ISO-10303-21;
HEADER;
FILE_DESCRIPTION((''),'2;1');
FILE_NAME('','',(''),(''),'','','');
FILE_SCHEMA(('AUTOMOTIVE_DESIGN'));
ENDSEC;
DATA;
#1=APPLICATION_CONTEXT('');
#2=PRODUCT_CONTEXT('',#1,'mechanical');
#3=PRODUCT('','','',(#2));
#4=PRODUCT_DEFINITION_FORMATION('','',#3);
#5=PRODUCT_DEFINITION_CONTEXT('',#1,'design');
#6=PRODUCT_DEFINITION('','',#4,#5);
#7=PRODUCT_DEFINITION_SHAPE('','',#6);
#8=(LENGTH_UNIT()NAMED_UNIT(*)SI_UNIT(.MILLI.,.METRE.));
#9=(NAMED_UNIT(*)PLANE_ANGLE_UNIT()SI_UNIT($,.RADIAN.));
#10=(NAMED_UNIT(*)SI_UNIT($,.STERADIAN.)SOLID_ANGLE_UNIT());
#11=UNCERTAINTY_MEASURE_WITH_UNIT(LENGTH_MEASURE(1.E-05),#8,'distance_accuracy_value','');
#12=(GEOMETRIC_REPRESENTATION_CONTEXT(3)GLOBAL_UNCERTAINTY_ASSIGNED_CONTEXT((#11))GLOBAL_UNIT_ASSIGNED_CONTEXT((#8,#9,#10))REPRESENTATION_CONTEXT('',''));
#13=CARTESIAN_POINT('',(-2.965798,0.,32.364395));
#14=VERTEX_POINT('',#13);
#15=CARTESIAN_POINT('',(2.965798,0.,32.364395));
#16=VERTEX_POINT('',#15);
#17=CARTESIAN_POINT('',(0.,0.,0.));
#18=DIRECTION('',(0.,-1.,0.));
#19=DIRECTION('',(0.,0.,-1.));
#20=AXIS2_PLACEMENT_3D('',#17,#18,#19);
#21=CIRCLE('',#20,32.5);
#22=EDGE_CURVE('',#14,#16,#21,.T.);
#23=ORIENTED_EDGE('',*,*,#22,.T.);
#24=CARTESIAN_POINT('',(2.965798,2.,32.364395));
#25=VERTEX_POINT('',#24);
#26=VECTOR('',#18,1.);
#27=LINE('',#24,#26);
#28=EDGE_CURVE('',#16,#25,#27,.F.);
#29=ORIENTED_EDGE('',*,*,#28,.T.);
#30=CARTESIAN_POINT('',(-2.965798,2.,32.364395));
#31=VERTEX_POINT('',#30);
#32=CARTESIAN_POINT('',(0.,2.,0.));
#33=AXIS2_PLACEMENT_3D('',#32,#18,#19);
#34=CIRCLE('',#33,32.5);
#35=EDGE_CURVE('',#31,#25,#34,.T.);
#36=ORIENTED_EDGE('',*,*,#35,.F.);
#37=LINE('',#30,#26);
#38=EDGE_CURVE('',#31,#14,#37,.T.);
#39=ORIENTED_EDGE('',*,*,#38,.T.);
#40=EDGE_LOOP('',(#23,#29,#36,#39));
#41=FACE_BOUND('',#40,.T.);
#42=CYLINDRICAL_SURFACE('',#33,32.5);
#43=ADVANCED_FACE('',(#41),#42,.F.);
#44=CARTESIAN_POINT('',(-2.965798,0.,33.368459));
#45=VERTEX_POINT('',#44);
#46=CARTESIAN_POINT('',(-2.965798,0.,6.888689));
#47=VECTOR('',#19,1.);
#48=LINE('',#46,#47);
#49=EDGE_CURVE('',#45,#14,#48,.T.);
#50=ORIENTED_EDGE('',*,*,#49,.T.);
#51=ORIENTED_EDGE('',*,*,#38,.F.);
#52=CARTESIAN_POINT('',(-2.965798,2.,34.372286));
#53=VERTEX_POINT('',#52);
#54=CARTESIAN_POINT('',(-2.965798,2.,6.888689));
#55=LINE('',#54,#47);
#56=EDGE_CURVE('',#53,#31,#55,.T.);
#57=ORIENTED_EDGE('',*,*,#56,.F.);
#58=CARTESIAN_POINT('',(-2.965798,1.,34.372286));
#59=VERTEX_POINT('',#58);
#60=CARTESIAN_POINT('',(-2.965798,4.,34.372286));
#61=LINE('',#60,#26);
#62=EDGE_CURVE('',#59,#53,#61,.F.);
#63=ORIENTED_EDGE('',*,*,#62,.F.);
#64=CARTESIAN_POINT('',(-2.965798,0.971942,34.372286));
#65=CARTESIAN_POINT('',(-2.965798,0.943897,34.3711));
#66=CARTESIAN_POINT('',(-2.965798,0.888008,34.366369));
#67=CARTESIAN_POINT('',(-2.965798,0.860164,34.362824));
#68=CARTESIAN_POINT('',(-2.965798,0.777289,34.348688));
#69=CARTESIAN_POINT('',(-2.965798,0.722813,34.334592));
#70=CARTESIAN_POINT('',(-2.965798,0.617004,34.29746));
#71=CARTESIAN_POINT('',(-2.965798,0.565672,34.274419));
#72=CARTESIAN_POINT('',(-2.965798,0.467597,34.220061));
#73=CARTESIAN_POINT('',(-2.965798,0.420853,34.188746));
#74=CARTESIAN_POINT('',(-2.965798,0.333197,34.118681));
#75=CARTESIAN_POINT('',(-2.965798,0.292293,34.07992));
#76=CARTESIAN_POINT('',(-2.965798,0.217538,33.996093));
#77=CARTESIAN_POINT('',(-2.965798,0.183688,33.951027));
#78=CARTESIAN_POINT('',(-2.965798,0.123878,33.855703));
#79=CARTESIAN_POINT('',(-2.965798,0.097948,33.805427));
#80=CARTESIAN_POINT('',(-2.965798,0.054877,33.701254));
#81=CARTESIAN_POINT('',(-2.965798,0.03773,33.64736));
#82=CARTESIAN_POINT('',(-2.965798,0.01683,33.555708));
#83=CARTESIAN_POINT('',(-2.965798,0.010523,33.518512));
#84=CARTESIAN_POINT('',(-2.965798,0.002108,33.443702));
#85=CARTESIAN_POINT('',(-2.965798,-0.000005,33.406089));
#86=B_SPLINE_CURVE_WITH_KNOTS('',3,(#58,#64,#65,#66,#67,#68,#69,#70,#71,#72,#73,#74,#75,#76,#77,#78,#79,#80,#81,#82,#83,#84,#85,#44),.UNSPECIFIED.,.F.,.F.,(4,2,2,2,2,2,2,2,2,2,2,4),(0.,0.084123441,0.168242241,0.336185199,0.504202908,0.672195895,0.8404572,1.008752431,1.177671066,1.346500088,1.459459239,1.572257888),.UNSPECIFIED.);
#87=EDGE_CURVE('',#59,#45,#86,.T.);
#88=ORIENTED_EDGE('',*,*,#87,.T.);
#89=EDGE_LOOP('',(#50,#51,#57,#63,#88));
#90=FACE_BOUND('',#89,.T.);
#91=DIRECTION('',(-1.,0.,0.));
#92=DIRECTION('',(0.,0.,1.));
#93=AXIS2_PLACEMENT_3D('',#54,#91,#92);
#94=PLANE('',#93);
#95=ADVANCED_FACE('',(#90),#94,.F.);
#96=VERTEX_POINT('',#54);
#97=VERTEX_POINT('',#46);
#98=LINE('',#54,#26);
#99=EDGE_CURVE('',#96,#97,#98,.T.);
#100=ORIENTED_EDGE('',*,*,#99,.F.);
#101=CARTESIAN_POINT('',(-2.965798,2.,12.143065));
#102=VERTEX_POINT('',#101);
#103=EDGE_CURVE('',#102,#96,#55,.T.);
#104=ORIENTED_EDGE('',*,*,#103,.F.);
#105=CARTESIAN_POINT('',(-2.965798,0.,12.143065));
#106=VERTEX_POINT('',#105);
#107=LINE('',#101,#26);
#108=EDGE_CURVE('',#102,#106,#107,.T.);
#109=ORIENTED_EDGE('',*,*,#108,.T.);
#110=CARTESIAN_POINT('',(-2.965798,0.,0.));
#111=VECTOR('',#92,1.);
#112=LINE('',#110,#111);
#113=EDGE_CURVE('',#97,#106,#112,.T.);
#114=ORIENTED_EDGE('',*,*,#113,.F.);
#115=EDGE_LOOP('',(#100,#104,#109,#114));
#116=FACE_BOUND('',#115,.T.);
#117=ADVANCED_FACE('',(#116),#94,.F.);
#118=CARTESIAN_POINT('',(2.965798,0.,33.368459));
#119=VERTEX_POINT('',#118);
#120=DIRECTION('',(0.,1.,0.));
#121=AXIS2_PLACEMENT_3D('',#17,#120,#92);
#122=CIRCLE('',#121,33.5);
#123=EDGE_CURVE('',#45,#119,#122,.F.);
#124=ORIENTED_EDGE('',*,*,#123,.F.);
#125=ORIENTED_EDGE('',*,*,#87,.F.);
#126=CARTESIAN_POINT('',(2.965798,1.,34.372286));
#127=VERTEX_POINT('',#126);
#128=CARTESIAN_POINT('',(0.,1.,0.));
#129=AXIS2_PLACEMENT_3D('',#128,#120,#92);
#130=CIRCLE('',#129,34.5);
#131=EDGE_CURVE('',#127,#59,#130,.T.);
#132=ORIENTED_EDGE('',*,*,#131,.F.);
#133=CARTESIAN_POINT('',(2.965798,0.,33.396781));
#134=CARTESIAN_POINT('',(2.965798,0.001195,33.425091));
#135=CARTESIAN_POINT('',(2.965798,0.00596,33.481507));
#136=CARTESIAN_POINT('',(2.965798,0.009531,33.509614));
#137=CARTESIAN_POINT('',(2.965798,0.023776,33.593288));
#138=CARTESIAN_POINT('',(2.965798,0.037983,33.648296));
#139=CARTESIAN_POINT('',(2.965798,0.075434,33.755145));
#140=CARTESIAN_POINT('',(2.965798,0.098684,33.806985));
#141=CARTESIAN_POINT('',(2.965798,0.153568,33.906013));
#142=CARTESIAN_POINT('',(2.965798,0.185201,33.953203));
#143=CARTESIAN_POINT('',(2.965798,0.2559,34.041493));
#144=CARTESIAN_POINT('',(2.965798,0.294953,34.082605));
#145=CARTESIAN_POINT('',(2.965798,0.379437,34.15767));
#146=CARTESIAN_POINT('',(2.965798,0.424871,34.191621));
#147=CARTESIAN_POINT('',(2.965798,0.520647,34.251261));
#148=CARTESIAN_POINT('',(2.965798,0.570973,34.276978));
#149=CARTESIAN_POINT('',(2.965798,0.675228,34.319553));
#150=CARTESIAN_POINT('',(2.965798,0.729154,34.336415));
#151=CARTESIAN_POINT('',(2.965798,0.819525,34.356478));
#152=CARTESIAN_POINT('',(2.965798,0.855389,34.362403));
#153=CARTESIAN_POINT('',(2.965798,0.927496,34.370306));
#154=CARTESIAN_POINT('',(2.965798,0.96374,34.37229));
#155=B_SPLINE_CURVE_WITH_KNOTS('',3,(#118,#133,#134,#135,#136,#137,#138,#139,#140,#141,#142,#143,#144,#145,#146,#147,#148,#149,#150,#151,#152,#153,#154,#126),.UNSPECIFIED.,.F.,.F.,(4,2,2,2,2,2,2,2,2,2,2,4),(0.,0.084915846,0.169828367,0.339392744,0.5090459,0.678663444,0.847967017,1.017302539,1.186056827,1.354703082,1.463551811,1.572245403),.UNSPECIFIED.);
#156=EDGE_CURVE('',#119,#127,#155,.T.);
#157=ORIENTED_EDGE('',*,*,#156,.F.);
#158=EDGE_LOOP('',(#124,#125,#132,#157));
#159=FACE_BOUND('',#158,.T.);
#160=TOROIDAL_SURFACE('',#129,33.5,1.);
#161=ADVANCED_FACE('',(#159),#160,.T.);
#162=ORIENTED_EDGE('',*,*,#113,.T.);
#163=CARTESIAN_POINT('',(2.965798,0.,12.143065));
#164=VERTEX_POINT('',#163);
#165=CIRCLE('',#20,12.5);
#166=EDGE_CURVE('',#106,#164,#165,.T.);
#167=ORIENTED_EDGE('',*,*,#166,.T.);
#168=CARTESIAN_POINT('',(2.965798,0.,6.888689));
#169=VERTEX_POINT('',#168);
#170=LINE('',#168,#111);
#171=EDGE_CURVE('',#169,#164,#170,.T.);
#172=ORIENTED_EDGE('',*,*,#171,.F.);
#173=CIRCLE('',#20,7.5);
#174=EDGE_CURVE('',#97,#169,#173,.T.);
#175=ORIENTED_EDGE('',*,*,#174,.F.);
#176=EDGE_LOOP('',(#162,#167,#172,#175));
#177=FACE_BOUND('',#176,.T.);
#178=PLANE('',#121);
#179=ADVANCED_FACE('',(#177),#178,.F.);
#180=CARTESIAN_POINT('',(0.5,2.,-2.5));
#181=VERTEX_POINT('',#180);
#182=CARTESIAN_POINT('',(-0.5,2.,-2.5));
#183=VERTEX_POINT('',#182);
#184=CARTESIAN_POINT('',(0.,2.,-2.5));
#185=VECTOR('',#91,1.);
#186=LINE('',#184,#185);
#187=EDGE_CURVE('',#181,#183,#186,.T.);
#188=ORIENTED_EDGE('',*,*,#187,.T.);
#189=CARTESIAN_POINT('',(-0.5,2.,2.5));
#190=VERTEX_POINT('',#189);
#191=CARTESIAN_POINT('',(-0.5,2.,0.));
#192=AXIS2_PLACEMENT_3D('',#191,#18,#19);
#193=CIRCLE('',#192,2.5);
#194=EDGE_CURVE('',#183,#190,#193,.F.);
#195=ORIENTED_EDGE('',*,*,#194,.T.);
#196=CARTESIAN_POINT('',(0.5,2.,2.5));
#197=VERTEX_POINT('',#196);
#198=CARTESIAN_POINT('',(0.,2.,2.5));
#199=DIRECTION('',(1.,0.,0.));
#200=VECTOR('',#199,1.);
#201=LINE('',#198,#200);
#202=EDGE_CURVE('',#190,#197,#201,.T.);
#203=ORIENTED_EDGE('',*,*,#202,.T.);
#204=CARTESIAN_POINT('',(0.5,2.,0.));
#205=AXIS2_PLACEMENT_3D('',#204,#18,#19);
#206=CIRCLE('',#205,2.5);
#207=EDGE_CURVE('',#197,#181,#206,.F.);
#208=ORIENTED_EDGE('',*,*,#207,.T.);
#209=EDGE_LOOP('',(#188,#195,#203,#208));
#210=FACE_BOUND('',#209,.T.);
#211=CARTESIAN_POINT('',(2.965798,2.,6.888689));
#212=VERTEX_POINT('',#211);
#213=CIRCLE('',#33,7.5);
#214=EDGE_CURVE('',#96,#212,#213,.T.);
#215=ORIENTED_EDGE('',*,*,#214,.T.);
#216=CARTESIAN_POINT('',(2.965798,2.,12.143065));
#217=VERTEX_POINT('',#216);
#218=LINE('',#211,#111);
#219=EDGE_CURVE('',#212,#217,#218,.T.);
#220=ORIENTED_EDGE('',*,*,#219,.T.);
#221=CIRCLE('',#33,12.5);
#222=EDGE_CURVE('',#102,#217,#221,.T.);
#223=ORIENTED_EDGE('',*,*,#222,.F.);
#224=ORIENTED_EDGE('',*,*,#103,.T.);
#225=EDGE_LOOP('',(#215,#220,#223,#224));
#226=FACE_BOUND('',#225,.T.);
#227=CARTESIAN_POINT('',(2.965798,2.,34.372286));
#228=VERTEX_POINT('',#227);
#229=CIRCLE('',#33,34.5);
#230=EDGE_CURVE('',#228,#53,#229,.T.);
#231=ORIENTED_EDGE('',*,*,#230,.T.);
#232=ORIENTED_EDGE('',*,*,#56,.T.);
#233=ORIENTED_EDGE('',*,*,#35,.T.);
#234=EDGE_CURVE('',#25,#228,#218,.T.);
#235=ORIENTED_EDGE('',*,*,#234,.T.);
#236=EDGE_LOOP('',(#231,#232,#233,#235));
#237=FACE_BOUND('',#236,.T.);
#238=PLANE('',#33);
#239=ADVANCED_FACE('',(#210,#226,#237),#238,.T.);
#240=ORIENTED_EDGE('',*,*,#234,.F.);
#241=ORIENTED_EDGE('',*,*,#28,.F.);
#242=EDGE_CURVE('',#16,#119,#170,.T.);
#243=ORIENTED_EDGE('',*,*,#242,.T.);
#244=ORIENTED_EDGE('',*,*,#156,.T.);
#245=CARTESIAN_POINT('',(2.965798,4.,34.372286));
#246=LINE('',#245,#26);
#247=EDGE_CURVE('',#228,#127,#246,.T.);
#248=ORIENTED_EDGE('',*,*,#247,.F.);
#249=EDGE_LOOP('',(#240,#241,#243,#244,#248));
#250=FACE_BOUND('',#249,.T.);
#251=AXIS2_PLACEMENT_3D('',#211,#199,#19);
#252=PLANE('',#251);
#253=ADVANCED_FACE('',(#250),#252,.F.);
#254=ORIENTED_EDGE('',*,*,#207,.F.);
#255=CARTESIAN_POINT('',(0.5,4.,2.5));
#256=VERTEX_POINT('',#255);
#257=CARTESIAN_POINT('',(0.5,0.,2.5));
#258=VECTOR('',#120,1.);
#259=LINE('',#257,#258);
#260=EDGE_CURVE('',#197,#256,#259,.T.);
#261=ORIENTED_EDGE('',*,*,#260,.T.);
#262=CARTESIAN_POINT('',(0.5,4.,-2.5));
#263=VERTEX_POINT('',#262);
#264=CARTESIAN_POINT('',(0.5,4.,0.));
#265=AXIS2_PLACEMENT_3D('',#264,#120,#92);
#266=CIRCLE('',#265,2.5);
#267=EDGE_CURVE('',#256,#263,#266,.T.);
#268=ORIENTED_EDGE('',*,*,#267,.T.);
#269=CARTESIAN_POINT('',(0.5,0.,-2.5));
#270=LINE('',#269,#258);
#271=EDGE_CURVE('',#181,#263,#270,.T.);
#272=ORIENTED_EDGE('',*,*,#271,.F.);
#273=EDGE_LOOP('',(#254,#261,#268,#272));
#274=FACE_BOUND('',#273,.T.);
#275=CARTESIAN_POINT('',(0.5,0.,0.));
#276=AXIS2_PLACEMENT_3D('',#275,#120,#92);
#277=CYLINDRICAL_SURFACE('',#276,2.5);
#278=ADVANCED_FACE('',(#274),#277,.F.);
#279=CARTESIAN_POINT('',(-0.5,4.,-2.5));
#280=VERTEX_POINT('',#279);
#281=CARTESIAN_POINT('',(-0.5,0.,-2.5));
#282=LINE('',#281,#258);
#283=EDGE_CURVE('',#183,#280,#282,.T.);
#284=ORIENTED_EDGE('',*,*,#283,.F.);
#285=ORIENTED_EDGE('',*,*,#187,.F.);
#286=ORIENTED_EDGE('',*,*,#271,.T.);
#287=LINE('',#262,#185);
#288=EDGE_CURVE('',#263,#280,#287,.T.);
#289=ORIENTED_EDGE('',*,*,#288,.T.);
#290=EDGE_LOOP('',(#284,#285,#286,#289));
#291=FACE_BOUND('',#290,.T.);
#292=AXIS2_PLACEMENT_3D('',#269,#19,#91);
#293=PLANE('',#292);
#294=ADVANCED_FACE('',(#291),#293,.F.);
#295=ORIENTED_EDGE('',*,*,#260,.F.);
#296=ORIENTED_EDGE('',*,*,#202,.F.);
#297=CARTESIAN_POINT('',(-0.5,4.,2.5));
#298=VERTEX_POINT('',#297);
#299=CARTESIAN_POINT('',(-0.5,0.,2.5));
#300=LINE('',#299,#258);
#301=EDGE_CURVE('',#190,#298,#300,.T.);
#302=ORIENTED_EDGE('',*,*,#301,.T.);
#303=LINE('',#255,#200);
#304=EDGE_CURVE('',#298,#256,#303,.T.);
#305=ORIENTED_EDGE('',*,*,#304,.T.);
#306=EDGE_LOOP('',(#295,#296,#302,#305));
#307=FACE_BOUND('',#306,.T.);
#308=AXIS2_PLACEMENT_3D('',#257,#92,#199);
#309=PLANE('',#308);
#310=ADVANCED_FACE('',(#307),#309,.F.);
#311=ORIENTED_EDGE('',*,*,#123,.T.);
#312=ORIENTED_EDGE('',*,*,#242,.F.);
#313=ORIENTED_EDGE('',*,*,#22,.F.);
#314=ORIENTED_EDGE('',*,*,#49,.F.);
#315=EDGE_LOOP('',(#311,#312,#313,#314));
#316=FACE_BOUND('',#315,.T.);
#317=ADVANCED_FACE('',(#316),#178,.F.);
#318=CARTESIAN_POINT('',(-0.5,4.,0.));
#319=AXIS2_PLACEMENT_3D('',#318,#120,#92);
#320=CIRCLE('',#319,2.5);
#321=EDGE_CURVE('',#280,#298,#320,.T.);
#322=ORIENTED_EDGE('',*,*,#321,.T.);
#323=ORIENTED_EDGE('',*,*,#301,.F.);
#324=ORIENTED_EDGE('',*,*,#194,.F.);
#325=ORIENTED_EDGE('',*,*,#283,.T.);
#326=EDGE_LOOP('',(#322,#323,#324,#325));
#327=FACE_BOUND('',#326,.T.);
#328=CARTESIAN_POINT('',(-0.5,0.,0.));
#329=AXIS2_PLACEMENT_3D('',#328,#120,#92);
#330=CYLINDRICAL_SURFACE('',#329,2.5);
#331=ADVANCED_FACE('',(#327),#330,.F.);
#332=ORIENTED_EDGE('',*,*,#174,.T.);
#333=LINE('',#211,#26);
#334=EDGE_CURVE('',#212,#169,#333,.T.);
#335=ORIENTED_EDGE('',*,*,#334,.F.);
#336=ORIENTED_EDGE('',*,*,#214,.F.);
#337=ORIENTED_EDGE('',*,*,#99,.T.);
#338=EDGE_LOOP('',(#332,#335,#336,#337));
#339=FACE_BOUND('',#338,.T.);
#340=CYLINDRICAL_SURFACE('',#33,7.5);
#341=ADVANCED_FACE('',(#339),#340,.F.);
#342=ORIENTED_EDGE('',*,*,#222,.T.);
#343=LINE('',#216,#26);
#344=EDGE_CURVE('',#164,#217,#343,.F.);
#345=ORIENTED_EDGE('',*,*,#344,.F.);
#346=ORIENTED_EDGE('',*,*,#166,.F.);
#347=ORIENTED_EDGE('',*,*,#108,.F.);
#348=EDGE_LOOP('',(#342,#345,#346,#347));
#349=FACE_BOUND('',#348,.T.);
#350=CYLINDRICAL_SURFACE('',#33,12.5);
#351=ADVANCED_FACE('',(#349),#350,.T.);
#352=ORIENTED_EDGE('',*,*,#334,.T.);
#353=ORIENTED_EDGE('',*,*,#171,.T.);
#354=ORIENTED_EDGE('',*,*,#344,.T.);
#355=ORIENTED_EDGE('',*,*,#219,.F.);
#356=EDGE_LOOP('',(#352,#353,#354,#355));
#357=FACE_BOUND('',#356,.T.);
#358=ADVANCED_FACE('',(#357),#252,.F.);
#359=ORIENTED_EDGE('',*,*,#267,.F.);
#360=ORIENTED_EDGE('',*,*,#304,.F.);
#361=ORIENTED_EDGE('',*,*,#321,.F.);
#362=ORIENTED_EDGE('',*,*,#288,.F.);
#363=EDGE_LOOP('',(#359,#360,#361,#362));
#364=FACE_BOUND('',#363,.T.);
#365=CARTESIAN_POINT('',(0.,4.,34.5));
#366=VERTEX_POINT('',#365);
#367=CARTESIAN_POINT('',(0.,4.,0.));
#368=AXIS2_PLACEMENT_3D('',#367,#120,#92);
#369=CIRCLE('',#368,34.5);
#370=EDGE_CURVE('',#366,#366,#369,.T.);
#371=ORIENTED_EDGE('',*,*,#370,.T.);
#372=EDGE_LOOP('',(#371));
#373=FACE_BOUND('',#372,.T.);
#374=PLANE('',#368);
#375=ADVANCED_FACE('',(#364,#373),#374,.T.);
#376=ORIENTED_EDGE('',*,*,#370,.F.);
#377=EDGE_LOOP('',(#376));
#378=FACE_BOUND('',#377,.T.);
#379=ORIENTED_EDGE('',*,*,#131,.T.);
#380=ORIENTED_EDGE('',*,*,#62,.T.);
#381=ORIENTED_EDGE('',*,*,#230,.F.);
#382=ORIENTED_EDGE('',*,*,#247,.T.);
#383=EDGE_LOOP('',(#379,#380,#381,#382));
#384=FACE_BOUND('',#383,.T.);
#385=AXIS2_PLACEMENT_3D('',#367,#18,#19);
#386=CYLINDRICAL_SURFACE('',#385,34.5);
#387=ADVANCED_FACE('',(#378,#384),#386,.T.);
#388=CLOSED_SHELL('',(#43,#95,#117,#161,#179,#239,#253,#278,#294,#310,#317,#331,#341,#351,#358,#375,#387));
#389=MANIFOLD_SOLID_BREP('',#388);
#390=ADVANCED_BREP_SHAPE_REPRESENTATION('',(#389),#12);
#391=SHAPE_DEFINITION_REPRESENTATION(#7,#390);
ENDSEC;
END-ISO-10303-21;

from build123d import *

# Parameters (mm, degrees)
SKETCH1_R           = 34.5
BOSS_EXTRUDE1_DEPTH = 4
CUT_EXTRUDE1_DEPTH  = 4
SKETCH3_R           = 32.5
SKETCH3_R_2         = 12.5
SKETCH3_R_3         = 7.5
CUT_EXTRUDE2_DEPTH  = 2
SKETCH4_W           = 5.931596908
SKETCH4_H           = 30.157362647
CUT_EXTRUDE3_DEPTH  = 2
FILLET1_R           = 1


with BuildPart() as part:
    # Sketch1 → Boss-Extrude1 (new body)
    with BuildSketch(Plane(origin=(0, 0, 0), x_dir=(1, 0, 0), z_dir=(0, 1, 0))):
        Circle(SKETCH1_R)
    extrude(amount=BOSS_EXTRUDE1_DEPTH)

    # Sketch2 → Cut-Extrude1 (cut)
    with BuildSketch(Plane(origin=(0, 4, 0), x_dir=(1, 0, 0), z_dir=(0, 1, 0))):
        with BuildLine():
            Line((0.5, -2.5), (-0.5, -2.5))
            ThreePointArc((-0.5, -2.5), (-3, 0), (-0.5, 2.5))
            Line((-0.5, 2.5), (0.5, 2.5))
            ThreePointArc((0.5, 2.5), (3, 0), (0.5, -2.5))
        make_face()
    extrude(amount=-CUT_EXTRUDE1_DEPTH, mode=Mode.SUBTRACT)

    # Sketch3 → Cut-Extrude2 (cut)
    with BuildSketch(Plane.XZ):
        Circle(SKETCH3_R)
        Circle(SKETCH3_R_2, mode=Mode.SUBTRACT)
        Circle(SKETCH3_R_3)
        with BuildLine():
            ThreePointArc((-0.5, -2.5), (-3, 0), (-0.5, 2.5))
            Line((-0.5, 2.5), (0.5, 2.5))
            ThreePointArc((0.5, 2.5), (3, 0), (0.5, -2.5))
            Line((0.5, -2.5), (-0.5, -2.5))
        make_face(mode=Mode.SUBTRACT)
    extrude(amount=-CUT_EXTRUDE2_DEPTH, mode=Mode.SUBTRACT)

    # Sketch4 → Cut-Extrude3 (cut)
    with BuildSketch(Plane.XZ):
        with Locations((0, 21.96737057)):
            Rectangle(SKETCH4_W, SKETCH4_H)
    extrude(amount=-CUT_EXTRUDE3_DEPTH, mode=Mode.SUBTRACT)

    # Fillet1
    fillet1_edges = [part.edges().sort_by_distance(p)[0] for p in [
        (-23.323056761, 0, -25.422136482),
    ]]
    fillet(fillet1_edges, radius=FILLET1_R)


solid = part.part
